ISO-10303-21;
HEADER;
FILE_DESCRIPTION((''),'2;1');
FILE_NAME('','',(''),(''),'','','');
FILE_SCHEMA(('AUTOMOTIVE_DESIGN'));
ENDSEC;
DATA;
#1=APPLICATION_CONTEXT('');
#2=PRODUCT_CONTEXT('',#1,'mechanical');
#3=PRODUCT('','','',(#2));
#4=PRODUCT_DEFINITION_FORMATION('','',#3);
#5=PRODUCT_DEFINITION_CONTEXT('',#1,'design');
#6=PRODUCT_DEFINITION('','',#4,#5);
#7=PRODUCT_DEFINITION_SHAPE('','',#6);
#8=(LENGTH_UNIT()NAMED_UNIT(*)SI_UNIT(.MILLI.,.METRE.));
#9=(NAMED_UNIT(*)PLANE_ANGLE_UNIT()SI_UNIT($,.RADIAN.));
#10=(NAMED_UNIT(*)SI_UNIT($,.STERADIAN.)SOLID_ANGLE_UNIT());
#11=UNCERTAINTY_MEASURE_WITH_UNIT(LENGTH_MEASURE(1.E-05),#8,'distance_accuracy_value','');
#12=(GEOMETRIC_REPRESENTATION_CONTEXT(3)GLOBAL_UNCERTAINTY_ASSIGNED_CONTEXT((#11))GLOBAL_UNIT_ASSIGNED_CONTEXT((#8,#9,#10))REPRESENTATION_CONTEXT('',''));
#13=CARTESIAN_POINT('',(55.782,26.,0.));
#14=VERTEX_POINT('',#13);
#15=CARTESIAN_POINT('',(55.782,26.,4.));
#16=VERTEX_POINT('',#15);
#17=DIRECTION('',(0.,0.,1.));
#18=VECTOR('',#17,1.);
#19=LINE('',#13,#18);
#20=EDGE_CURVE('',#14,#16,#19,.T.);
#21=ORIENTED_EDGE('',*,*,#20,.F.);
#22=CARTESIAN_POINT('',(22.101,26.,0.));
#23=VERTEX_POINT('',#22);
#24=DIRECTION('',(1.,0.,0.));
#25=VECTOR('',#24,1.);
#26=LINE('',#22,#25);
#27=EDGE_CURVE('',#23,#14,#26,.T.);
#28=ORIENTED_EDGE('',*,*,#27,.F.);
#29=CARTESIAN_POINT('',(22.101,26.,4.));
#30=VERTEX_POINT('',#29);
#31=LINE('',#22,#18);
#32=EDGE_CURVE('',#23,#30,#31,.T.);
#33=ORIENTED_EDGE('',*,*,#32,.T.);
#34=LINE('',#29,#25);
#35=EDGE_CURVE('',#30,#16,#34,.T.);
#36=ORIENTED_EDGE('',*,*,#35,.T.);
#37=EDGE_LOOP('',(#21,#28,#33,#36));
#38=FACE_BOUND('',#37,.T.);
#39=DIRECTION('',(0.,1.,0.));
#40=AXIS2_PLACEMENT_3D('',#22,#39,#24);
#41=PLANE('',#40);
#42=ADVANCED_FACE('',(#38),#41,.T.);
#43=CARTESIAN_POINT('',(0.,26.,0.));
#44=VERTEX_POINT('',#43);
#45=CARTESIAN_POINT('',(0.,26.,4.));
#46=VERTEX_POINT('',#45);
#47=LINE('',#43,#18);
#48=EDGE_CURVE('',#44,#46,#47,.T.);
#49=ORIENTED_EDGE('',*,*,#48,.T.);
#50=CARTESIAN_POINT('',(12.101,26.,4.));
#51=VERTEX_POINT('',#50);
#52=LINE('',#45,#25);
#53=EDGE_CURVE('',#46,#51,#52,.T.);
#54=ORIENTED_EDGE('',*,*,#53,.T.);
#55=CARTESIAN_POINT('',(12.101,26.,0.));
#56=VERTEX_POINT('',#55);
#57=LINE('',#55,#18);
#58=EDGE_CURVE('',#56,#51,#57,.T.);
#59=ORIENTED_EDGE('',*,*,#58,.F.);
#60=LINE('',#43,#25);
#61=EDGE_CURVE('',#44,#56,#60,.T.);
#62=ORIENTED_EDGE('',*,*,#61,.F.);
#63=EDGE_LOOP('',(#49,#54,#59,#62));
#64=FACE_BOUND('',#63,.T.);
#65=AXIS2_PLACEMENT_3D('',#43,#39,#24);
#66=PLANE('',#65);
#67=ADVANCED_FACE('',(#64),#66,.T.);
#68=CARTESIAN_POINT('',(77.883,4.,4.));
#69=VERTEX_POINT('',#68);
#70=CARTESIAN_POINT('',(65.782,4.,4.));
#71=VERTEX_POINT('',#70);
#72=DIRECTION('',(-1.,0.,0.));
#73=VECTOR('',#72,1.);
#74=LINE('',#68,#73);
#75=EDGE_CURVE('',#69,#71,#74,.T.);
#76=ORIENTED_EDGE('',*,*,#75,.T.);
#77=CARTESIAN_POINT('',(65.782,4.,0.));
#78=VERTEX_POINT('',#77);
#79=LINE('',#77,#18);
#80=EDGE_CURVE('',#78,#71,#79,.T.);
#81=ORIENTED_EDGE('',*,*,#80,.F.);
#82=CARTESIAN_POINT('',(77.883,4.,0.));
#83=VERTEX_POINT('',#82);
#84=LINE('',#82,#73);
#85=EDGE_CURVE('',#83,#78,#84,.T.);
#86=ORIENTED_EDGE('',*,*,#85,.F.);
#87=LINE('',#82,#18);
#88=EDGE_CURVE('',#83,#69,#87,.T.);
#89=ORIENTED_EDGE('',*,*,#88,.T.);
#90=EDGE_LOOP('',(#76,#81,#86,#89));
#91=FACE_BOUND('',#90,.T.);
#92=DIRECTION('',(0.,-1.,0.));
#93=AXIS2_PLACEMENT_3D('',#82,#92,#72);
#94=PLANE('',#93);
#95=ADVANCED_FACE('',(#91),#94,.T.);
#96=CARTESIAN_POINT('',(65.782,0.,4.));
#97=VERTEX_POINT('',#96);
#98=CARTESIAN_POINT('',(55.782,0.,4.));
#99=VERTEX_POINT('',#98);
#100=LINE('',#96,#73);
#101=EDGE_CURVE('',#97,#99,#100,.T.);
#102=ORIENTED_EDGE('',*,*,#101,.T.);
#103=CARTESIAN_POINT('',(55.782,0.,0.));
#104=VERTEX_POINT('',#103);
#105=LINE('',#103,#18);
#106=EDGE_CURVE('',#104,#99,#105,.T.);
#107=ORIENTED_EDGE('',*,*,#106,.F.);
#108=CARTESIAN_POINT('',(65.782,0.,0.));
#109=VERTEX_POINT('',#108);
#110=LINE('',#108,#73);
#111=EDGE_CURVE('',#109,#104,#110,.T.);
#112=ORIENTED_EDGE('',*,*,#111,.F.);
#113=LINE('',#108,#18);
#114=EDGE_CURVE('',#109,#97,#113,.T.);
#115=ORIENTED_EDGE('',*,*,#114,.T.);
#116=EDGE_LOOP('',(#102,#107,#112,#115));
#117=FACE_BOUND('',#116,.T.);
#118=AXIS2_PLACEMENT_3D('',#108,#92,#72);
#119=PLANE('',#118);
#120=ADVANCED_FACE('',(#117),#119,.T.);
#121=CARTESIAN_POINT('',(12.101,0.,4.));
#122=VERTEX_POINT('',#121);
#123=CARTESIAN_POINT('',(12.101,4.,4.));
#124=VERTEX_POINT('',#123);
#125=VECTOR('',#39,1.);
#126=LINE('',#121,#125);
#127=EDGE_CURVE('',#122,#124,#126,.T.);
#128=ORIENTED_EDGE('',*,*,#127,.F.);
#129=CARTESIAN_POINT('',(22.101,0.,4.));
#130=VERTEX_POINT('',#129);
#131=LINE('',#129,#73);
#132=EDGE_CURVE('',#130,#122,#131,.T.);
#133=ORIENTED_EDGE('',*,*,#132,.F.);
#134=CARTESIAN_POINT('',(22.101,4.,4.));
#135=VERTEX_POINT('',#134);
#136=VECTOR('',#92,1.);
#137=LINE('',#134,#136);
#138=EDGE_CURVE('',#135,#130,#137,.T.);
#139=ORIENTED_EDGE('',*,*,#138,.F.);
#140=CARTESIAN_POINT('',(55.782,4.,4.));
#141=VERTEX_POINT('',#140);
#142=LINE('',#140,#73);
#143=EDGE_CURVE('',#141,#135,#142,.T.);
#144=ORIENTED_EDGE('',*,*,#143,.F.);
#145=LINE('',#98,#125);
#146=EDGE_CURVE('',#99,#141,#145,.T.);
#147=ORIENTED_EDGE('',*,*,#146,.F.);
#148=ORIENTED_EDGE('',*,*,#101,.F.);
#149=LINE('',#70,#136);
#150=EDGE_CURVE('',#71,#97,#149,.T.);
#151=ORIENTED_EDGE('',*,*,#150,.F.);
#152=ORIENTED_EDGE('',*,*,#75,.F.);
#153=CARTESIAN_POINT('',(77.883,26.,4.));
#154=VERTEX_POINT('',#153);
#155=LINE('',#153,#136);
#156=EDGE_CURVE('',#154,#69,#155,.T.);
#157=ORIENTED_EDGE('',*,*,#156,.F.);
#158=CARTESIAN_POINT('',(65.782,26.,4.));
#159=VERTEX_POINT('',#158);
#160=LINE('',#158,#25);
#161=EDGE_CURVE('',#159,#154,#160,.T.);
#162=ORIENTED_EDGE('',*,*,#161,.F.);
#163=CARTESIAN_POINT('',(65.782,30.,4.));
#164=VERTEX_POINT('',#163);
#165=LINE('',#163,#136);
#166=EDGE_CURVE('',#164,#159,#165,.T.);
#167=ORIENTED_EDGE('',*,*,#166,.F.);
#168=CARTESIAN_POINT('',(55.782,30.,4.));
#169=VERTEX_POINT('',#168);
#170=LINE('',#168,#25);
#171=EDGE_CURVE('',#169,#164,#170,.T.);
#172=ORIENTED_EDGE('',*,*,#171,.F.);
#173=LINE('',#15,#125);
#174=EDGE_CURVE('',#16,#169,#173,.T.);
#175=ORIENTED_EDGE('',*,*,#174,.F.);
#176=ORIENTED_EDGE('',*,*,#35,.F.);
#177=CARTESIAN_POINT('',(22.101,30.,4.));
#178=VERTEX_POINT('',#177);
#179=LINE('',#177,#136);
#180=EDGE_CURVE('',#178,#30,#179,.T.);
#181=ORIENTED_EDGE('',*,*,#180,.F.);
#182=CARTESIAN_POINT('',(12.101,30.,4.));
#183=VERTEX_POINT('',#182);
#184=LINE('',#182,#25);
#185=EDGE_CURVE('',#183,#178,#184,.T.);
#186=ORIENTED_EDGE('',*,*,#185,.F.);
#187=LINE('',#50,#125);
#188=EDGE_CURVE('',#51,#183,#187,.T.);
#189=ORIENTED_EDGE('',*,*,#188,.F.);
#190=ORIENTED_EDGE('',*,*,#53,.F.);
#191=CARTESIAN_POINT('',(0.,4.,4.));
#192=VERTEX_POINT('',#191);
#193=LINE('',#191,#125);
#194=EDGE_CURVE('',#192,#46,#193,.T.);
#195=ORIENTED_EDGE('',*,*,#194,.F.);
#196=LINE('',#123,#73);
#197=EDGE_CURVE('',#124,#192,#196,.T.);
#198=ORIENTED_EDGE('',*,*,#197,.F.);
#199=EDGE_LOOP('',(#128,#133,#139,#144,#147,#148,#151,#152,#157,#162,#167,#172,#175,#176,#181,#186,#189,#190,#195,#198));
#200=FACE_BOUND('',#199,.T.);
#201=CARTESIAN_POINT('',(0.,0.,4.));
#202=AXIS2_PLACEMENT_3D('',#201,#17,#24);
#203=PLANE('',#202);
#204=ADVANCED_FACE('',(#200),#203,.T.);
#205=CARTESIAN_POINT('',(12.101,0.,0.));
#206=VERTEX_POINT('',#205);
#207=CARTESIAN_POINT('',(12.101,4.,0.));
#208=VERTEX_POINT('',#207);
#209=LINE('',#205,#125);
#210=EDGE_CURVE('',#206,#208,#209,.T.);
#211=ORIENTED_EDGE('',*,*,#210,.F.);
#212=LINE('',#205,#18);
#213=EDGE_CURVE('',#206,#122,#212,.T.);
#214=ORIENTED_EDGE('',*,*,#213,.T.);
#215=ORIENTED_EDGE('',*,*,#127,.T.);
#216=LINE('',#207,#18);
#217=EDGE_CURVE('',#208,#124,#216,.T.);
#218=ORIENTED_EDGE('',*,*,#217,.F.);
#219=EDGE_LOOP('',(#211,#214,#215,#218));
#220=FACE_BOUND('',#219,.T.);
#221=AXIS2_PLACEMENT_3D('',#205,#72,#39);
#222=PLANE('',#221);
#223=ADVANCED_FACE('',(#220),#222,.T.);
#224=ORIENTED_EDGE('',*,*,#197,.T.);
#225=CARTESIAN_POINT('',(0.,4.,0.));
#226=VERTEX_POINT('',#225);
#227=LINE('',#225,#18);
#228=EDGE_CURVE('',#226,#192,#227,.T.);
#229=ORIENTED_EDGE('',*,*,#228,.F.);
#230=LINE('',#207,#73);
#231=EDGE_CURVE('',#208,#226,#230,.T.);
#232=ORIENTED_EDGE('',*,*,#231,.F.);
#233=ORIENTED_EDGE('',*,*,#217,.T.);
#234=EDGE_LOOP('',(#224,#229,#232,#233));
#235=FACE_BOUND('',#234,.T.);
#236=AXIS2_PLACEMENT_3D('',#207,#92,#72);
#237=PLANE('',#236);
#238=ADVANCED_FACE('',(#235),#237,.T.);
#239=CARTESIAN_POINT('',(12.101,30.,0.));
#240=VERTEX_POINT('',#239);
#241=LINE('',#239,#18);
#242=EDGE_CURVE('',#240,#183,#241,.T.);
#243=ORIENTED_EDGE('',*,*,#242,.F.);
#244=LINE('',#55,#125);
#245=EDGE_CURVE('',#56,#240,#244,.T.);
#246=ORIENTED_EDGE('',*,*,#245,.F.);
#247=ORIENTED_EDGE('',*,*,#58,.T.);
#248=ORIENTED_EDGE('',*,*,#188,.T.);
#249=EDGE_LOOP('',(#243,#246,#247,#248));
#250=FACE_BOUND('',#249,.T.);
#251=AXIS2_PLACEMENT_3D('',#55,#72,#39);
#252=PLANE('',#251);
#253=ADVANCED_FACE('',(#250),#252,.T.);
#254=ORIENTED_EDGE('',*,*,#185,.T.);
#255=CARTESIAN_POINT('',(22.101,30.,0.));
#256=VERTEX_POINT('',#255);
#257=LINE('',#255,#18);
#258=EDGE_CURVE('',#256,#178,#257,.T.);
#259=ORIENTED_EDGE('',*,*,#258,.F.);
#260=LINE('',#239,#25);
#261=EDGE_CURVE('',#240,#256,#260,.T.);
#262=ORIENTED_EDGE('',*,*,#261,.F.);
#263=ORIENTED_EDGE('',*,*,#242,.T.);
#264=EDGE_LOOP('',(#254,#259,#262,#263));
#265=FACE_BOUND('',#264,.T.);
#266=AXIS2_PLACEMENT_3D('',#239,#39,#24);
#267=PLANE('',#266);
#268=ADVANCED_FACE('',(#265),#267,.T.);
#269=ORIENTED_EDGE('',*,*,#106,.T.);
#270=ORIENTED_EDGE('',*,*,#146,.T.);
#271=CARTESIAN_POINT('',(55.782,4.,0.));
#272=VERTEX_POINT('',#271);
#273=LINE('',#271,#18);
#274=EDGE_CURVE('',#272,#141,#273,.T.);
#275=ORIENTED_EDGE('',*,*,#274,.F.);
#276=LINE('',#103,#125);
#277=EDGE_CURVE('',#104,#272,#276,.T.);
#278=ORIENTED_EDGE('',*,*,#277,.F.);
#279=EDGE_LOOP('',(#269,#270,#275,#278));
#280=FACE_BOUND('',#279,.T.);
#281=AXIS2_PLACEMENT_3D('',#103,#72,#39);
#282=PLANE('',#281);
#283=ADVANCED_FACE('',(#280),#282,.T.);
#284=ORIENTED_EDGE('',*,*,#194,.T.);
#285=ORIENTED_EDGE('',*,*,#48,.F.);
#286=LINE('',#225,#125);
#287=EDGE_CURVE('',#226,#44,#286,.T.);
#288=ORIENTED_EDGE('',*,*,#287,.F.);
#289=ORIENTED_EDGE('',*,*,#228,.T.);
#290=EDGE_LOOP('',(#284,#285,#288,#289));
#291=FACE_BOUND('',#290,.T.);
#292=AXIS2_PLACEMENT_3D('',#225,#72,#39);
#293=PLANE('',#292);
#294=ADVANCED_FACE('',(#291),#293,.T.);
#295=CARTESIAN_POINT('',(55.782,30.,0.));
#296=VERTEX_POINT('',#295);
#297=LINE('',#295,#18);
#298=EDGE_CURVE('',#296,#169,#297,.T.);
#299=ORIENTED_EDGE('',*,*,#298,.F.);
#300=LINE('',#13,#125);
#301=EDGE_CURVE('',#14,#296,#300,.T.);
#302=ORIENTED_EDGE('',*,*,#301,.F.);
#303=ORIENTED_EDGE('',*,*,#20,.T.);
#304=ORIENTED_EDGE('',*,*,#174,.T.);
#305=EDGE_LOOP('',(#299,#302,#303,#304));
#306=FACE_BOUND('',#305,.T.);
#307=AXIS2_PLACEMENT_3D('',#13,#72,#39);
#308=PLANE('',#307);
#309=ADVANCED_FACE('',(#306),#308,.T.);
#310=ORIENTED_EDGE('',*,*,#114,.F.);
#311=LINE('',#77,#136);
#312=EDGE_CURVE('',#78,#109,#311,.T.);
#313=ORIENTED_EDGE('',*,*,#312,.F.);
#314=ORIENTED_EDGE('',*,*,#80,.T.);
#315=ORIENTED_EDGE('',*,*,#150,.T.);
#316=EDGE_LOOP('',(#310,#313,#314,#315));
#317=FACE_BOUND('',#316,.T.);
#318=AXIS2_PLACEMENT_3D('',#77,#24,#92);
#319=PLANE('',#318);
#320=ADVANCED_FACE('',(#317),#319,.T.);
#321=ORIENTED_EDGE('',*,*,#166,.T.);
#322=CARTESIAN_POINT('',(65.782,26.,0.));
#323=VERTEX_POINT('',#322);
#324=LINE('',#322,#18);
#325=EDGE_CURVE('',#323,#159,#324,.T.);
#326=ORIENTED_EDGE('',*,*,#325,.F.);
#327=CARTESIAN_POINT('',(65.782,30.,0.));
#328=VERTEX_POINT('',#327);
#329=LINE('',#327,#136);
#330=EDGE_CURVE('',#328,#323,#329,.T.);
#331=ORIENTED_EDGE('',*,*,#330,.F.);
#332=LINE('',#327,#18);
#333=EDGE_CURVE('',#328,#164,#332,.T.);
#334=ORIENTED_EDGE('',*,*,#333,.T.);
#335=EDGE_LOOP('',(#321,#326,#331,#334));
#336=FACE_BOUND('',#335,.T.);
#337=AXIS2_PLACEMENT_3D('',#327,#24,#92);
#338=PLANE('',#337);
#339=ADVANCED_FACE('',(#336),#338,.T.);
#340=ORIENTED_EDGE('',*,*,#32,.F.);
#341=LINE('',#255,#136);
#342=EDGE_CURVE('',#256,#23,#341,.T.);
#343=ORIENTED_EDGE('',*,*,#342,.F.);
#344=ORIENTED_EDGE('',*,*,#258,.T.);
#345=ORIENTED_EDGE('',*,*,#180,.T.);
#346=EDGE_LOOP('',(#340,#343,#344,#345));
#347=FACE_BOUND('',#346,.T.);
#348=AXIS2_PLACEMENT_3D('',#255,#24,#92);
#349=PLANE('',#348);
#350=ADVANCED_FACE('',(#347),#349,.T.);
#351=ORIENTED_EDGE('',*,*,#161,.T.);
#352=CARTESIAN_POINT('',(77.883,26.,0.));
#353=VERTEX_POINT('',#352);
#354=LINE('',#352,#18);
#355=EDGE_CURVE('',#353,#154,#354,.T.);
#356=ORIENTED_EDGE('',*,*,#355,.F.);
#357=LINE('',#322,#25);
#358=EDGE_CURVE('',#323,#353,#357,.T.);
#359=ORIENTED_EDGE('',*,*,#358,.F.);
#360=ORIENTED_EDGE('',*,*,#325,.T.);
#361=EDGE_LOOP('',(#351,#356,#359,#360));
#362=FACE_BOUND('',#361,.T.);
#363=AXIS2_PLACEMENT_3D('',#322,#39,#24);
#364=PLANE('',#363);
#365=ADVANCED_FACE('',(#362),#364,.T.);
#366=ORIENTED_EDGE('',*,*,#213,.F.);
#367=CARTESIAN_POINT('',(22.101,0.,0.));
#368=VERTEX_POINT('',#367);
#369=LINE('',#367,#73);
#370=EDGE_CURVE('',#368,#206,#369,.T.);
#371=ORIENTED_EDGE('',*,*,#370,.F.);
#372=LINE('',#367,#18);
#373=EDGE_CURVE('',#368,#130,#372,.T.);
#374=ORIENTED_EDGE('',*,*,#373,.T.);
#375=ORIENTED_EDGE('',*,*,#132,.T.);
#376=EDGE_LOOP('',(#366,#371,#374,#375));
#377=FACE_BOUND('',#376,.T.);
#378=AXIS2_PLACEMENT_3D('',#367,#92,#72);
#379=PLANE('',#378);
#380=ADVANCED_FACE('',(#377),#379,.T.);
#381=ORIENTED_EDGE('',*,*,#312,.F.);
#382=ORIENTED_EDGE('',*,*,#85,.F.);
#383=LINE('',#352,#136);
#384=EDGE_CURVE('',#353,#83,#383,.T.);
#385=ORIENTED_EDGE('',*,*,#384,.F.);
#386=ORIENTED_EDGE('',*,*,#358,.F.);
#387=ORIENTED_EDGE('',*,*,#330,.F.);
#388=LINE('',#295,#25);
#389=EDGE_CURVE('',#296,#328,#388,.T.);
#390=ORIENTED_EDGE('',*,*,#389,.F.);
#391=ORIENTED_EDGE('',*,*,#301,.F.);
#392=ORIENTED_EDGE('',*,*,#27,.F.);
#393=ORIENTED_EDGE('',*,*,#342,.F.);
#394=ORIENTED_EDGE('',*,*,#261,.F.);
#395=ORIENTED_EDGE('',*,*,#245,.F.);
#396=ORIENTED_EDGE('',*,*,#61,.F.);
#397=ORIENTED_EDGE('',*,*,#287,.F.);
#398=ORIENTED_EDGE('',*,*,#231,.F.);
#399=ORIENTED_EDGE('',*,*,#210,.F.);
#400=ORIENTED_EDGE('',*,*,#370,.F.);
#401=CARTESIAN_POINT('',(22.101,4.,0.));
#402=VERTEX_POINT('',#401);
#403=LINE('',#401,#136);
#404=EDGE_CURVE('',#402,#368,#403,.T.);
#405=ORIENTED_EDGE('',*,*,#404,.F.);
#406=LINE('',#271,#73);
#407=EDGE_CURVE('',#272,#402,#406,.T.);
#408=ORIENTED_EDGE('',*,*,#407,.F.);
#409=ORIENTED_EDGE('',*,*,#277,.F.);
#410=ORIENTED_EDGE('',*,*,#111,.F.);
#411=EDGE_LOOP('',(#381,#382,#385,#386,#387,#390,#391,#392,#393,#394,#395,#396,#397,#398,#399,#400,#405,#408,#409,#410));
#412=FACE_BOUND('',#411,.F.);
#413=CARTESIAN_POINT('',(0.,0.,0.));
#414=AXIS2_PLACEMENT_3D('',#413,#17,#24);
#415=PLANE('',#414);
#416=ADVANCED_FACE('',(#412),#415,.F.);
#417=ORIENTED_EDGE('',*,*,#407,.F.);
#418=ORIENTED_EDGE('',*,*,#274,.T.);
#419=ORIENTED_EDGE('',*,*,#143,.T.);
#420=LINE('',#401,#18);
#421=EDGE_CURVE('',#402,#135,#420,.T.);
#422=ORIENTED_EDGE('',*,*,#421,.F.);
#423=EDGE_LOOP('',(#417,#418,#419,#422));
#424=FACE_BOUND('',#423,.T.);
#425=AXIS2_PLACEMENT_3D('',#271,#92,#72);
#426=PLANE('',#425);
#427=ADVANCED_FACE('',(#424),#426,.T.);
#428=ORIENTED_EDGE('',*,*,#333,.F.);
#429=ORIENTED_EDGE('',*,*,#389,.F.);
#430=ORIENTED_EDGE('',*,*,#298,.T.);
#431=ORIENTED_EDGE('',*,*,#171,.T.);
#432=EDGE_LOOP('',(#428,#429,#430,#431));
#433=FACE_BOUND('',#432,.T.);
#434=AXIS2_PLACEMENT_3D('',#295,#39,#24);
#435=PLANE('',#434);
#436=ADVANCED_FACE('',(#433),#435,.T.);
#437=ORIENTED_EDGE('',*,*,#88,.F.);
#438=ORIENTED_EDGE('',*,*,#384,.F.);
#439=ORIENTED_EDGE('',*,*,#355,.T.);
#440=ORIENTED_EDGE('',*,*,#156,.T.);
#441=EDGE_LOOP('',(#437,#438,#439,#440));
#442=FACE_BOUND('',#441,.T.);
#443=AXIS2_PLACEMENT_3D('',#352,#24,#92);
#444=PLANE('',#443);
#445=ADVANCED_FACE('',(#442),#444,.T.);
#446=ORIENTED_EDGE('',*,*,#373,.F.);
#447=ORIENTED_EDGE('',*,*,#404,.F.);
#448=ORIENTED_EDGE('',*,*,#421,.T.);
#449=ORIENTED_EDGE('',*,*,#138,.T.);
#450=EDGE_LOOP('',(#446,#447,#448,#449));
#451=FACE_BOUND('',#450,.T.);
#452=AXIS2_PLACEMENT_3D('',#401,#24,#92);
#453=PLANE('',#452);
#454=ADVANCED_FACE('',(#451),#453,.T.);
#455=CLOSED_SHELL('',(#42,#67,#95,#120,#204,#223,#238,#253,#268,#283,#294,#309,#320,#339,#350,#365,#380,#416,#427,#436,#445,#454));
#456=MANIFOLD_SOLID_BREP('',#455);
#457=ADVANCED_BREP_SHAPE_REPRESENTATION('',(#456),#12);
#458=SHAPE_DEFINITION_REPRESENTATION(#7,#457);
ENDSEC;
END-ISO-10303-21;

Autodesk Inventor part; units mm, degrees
ref_plane "YZ Plane" through (0, 0, 0) normal (1, 0, 0) x (0, 1, 0)
ref_plane "XZ Plane" through (0, 0, 0) normal (0, 1, 0) x (-1, 0, 0)
ref_plane "XY Plane" through (0, 0, 0) normal (0, 0, 1) x (1, 0, 0)
sketch "Sketch1" plane through (0, 0, 0) normal (0, 0, 1) x (1, 0, 0)
  line L0 (0, 4) -> (0, 26)
  line L1 (0, 26) -> (12.101, 26)
  line L2 (12.101, 26) -> (12.101, 30)
  line L3 (12.101, 30) -> (22.101, 30)
  line L4 (22.101, 30) -> (22.101, 26)
  line L5 (22.101, 26) -> (55.782, 26)
  line L6 (55.782, 26) -> (55.782, 30)
  line L7 (55.782, 30) -> (65.782, 30)
  line L8 (65.782, 30) -> (65.782, 26)
  line L9 (65.782, 26) -> (77.883, 26)
  line L10 (77.883, 26) -> (77.883, 4)
  line L11 (77.883, 4) -> (65.782, 4)
  line L12 (65.782, 4) -> (65.782, 0)
  line L13 (65.782, 0) -> (55.782, 0)
  line L14 (55.782, 0) -> (55.782, 4)
  line L15 (55.782, 4) -> (22.101, 4)
  line L16 (22.101, 4) -> (22.101, 0)
  line L17 (22.101, 0) -> (12.101, 0)
  line L18 (12.101, 0) -> (12.101, 4)
  line L19 (12.101, 4) -> (0, 4)
  point P0 (0, 0)
  dimension "d0" = 22
  dimension "d1" = 12.101
  dimension "d2" = 4
  dimension "d3" = 10
  dimension "d4" = 33.681
  dimension "d5" = 10
  dimension "d6" = 12.101
extrude "Extrusion1" add sketch "Sketch1" along normal blind 4
properties part number "front(magi)"
